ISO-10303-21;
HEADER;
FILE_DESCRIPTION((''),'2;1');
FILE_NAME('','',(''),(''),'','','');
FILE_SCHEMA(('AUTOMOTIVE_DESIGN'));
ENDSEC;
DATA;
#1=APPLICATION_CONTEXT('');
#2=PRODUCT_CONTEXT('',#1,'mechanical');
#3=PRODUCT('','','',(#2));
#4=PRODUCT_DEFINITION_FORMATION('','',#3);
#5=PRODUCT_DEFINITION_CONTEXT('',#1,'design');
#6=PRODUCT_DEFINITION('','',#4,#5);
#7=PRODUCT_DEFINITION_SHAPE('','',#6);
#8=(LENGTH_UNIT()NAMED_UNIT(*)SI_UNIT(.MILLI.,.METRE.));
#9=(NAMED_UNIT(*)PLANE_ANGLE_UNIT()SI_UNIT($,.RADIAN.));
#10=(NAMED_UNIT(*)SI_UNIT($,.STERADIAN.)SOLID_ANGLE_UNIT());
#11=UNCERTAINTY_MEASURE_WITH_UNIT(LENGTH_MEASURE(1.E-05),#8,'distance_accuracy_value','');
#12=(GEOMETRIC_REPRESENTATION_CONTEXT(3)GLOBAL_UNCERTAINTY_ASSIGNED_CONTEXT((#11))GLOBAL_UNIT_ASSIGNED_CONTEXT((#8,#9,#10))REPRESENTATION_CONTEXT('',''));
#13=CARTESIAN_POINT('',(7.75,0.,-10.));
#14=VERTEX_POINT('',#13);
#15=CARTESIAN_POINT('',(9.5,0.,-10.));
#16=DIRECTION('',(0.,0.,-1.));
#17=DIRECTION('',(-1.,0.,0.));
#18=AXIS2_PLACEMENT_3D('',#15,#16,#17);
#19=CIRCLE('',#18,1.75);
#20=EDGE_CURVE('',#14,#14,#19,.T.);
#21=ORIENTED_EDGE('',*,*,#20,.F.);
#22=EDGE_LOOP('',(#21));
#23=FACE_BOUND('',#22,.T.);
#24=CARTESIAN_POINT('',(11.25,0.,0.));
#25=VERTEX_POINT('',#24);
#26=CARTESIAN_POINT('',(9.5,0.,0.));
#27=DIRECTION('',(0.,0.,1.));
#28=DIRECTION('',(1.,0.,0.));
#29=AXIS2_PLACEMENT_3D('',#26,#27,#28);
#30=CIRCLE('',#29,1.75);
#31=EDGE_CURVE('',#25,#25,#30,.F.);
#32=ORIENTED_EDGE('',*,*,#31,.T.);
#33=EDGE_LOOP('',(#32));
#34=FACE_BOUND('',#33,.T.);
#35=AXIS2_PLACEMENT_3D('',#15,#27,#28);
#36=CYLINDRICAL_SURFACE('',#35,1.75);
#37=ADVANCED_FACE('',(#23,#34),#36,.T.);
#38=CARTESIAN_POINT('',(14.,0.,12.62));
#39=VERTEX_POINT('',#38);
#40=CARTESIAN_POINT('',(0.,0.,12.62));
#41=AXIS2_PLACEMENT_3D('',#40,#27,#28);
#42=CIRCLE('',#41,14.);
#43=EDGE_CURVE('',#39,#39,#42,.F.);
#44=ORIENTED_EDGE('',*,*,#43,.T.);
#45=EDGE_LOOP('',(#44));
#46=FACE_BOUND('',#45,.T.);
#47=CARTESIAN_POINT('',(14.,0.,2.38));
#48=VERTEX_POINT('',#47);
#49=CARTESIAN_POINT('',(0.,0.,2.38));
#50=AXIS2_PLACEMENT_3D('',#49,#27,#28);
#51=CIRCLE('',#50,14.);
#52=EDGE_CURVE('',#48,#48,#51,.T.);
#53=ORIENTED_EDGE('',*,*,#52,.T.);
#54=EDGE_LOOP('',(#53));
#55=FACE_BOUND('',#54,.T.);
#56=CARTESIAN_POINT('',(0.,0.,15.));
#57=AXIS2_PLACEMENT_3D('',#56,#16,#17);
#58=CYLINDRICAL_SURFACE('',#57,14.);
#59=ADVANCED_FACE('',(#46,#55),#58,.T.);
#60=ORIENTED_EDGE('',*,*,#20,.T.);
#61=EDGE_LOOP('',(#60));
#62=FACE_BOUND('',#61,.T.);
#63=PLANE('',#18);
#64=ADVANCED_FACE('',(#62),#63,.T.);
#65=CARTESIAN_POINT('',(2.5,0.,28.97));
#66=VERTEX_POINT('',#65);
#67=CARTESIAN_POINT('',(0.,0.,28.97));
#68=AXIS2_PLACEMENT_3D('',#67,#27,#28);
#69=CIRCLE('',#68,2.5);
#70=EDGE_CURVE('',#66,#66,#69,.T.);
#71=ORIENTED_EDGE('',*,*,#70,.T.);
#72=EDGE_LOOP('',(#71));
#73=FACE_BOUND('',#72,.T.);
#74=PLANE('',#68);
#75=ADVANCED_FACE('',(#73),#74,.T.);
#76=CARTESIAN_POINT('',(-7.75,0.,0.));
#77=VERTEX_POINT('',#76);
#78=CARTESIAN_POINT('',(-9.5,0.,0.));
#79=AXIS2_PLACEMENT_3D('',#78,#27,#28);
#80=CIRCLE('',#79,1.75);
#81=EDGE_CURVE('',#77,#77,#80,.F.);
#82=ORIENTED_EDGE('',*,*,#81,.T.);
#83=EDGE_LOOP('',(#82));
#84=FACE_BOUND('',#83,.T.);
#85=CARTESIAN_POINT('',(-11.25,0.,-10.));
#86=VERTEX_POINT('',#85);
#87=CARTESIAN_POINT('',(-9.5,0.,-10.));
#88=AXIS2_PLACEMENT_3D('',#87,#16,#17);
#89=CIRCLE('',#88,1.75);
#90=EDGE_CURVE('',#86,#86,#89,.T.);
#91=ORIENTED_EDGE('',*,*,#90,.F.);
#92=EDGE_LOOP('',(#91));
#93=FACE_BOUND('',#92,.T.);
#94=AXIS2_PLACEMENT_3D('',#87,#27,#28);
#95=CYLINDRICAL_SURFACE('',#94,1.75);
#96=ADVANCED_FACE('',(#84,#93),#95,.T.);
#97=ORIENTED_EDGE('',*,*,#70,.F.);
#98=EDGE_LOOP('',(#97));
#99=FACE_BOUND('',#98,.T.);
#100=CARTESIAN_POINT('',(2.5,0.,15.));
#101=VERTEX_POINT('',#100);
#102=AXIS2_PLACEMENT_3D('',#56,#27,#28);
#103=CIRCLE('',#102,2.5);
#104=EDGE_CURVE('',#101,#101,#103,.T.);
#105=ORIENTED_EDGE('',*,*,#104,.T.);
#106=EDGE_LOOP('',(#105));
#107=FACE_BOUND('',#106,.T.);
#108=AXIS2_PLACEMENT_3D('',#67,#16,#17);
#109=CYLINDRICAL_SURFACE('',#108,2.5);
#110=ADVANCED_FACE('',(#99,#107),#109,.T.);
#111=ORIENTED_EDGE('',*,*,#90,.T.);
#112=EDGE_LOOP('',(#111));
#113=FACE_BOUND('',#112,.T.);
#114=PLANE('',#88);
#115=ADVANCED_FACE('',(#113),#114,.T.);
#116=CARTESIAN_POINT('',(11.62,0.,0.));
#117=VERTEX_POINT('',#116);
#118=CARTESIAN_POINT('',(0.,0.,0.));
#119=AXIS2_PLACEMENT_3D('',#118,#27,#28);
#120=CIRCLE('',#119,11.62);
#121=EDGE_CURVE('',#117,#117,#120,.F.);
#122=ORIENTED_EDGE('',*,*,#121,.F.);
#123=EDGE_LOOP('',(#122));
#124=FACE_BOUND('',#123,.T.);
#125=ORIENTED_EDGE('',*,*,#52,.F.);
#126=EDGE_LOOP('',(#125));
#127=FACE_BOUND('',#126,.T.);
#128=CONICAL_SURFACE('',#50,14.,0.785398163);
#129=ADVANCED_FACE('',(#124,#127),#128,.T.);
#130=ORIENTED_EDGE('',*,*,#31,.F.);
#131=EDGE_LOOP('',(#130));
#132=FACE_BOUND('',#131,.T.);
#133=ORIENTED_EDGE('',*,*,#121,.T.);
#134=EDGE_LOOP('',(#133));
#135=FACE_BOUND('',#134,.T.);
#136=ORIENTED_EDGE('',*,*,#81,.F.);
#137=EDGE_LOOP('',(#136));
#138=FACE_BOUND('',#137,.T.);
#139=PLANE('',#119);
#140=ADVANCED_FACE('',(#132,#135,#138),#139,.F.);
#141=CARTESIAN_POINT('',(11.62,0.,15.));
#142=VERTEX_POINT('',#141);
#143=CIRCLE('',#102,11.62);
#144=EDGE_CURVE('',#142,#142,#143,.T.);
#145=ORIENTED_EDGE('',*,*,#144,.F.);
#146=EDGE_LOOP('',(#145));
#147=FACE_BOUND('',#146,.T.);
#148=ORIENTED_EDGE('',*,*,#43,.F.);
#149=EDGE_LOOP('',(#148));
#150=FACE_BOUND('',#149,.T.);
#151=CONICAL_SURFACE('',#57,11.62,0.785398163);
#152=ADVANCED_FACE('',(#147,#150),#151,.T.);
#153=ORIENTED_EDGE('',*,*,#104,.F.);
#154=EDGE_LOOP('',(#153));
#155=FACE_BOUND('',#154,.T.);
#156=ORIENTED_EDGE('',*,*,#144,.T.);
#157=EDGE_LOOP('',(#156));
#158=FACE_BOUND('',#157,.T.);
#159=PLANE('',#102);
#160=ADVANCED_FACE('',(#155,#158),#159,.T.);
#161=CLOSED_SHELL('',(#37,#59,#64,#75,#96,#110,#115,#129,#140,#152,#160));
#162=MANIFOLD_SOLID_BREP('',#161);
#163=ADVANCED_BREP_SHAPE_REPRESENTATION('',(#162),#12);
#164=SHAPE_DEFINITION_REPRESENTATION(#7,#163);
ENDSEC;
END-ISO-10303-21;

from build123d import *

# Parameters (mm, degrees)
SKETCH1_R           = 14
BOSS_EXTRUDE1_DEPTH = 15
CHAMFER1_SIZE       = 2.38
SKETCH3_R           = 2.5
BOSS_EXTRUDE2_DEPTH = 13.97
SKETCH5_R           = 1.75
BOSS_EXTRUDE4_DEPTH = 10


with BuildPart() as part:
    # Sketch1 → Boss-Extrude1 (new body)
    with BuildSketch(Plane.XY):
        Circle(SKETCH1_R)
    extrude(amount=BOSS_EXTRUDE1_DEPTH)

    # Chamfer1
    chamfer1_edges = [part.edges().sort_by_distance(p)[0] for p in [
        (-14, 0, 0),
        (-14, 0, 15),
    ]]
    chamfer(chamfer1_edges, length=CHAMFER1_SIZE)

    # Sketch3 → Boss-Extrude2 (add)
    with BuildSketch(Plane.XY.offset(15)):
        Circle(SKETCH3_R)
    extrude(amount=BOSS_EXTRUDE2_DEPTH)

    # Sketch5 → Boss-Extrude4 (add)
    with BuildSketch(Plane(origin=(0, 0, 0), x_dir=(-1, 0, 0), z_dir=(0, 0, -1))):
        with Locations((-9.5, 0)):
            Circle(SKETCH5_R)
        with Locations((9.5, 0)):
            Circle(SKETCH5_R)
    extrude(amount=BOSS_EXTRUDE4_DEPTH)


solid = part.part
